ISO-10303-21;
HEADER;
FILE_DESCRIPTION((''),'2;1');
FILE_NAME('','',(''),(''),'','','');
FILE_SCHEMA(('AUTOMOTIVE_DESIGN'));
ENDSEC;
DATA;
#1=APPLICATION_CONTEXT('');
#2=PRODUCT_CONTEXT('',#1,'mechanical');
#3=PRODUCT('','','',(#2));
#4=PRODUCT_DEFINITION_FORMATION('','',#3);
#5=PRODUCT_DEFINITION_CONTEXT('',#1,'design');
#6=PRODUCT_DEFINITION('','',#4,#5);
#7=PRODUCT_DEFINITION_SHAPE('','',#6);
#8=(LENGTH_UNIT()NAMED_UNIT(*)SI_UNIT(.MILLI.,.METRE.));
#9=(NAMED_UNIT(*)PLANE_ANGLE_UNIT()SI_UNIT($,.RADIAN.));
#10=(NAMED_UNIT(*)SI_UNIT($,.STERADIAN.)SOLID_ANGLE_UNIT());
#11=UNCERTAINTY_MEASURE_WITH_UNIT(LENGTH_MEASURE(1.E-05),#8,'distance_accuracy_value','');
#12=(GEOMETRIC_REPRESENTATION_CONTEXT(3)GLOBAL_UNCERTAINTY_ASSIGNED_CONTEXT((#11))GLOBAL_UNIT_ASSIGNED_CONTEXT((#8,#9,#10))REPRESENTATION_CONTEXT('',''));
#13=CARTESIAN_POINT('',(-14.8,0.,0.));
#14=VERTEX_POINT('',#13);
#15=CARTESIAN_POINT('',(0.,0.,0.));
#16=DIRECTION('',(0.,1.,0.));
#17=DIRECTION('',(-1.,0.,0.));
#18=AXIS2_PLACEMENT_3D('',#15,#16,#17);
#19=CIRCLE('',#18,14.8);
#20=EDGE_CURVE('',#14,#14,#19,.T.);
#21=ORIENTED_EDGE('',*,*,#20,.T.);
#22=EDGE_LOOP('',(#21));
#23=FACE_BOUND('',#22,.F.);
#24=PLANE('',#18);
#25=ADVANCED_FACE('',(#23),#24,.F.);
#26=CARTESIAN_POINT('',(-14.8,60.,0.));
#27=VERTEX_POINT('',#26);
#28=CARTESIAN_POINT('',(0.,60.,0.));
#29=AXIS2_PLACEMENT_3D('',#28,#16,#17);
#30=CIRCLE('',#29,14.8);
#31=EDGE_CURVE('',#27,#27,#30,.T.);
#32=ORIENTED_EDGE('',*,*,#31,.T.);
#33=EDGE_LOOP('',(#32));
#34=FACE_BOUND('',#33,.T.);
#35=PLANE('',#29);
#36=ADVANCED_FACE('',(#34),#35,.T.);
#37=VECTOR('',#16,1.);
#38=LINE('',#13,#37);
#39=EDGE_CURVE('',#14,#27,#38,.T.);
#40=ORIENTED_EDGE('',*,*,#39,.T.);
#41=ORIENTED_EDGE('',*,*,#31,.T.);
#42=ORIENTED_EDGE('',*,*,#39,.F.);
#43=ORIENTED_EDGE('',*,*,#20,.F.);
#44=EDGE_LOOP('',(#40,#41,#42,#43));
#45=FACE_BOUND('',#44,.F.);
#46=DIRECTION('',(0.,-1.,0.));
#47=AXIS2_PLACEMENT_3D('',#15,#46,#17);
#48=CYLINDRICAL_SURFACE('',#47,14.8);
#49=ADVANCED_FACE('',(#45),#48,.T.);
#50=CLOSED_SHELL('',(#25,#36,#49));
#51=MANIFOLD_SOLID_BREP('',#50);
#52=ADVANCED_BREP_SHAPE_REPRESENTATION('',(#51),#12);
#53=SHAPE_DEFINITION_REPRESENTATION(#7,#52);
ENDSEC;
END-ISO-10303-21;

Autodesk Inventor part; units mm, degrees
ref_plane "YZ Plane" through (0, 0, 0) normal (1, 0, 0) x (0, 1, 0)
ref_plane "XZ Plane" through (0, 0, 0) normal (0, 1, 0) x (-1, 0, 0)
ref_plane "XY Plane" through (0, 0, 0) normal (0, 0, 1) x (1, 0, 0)
sketch "Sketch1" plane through (0, 0, 0) normal (0, 1, 0) x (-1, 0, 0)
  circle A0 centre (0, 0) radius 14.8
  dimension "d0" = 29.6
extrude "Extrusion1" add sketch "Sketch1" along normal blind 60
properties part number "pillar_3DPrint"
